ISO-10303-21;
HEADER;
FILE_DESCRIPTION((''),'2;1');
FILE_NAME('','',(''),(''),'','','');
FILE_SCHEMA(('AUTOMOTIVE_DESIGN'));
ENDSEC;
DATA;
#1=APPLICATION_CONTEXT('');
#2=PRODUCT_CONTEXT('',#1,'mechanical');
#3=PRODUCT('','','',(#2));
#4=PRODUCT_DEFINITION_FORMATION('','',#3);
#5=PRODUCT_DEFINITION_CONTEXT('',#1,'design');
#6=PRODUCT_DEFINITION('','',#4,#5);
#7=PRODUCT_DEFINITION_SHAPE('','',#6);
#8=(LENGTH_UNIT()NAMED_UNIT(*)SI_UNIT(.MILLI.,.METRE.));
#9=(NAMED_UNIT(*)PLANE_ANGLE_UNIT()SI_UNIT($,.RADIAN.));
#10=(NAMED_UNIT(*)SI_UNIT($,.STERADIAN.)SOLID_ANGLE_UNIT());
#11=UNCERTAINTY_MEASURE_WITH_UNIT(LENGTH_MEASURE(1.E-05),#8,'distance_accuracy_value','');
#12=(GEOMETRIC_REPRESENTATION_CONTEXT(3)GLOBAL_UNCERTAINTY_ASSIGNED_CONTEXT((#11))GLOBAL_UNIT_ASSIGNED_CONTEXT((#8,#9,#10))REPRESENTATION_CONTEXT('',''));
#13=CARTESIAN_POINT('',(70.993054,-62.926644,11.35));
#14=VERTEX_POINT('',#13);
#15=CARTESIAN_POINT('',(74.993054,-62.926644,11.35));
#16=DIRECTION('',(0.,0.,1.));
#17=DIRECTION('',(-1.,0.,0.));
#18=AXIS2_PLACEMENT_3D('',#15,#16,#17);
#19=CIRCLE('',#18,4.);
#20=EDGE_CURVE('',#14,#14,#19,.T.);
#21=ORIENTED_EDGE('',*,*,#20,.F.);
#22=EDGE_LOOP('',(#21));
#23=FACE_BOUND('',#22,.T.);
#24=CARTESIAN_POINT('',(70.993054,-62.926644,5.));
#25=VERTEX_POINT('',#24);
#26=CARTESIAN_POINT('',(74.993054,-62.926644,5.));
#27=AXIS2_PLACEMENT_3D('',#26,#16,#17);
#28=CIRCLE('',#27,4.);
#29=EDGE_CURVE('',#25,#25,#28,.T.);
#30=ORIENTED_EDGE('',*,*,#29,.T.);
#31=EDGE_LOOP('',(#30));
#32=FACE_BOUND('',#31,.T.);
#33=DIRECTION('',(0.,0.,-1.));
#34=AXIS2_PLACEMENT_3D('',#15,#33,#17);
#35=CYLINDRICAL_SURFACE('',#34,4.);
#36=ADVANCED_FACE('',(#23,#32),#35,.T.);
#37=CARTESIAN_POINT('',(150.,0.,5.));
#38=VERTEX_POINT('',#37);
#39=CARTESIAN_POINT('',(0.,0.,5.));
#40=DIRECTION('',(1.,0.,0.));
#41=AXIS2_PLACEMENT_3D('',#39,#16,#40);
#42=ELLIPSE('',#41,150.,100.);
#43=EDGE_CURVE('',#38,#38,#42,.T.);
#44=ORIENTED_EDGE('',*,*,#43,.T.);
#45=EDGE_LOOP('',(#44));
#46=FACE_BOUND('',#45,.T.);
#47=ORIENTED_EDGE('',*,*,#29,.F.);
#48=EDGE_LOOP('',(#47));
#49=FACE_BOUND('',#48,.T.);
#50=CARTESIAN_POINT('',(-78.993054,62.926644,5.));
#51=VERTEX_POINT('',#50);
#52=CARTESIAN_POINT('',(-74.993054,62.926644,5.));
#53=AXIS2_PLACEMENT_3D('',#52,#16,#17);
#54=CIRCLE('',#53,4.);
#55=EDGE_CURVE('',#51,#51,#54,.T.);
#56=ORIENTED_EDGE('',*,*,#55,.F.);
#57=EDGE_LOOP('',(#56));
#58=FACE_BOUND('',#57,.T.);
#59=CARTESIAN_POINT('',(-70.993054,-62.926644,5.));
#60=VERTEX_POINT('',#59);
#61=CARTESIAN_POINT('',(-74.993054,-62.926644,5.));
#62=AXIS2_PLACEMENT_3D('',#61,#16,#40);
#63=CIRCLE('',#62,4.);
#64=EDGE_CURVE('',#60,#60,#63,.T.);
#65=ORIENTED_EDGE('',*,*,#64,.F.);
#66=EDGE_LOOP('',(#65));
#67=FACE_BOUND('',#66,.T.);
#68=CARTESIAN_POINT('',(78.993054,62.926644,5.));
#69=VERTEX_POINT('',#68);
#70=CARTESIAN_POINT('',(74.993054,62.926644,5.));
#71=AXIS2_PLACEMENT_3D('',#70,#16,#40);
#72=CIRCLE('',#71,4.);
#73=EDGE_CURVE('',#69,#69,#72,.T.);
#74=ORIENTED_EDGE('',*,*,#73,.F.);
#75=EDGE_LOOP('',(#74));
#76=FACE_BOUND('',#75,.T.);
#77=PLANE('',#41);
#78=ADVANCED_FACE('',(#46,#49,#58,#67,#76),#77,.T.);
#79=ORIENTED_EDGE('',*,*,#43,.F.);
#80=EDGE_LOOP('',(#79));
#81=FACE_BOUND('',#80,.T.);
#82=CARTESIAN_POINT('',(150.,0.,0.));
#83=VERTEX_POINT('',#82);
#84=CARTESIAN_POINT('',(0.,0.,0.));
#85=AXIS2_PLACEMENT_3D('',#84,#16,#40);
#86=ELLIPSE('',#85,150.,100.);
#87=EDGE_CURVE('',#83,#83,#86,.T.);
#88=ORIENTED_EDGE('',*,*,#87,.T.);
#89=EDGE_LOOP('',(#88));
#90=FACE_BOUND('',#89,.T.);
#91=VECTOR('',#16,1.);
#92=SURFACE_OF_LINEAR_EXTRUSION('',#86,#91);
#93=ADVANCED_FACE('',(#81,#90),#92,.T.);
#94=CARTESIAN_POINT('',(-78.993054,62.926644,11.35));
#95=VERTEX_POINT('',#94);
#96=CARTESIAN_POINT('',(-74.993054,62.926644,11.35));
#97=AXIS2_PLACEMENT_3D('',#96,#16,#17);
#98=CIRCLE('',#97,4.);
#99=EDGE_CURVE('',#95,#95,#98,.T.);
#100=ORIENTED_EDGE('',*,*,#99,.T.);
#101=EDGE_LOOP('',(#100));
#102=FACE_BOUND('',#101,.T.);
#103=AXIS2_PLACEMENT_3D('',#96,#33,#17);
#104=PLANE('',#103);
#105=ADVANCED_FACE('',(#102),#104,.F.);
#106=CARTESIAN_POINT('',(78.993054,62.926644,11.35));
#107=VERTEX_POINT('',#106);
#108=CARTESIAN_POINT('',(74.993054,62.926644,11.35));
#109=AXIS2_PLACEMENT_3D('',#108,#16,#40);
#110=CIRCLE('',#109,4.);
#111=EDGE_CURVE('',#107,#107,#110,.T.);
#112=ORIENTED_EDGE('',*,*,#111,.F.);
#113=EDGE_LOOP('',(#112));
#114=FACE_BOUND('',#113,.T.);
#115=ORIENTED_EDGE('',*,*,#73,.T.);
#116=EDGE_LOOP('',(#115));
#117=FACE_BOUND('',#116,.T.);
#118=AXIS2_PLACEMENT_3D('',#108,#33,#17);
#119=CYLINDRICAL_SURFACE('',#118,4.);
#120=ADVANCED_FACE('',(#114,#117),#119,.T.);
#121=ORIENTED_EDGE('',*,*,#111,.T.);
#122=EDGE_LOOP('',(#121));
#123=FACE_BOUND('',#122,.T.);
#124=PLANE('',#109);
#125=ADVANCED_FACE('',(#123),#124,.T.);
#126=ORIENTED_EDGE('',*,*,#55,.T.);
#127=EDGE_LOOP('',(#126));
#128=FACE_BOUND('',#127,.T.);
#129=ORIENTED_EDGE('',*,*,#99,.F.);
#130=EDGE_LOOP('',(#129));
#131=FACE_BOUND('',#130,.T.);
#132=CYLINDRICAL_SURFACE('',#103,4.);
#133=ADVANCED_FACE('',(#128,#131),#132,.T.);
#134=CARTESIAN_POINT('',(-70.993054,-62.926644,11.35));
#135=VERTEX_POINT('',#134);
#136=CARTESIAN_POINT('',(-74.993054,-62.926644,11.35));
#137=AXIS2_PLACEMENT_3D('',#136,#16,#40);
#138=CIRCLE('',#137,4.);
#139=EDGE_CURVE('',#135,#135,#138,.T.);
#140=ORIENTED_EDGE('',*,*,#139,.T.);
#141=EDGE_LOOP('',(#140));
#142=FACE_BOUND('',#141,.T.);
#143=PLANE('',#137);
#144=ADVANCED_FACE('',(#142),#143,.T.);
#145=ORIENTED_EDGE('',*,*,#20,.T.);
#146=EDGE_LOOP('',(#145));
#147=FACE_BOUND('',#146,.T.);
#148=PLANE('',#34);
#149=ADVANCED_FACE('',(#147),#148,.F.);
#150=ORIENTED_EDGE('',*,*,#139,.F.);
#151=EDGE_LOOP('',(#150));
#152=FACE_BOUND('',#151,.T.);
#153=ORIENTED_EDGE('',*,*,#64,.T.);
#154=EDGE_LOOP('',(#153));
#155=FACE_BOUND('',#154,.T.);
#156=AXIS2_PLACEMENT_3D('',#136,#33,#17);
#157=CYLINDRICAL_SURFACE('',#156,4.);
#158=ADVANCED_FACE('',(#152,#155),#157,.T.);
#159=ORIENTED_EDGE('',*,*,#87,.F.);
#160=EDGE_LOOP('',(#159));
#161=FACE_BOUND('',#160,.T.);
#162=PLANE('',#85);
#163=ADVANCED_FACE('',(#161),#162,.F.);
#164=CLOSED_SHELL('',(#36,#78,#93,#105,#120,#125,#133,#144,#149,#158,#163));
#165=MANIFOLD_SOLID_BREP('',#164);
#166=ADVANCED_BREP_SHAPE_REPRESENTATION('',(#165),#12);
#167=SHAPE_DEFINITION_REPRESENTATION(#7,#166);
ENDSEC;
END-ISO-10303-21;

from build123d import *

# Parameters (mm, degrees)
SKETCH1_RX          = 150
SKETCH1_RY          = 100
BOSS_EXTRUDE1_DEPTH = 5
SKETCH2_R           = 4
BOSS_EXTRUDE2_DEPTH = 6.35


with BuildPart() as part:
    # Sketch1 → Boss-Extrude1 (new body)
    with BuildSketch(Plane.XY.offset(5)):
        with Locations(Location((0, 0), (0, 0, 0))):
            Ellipse(SKETCH1_RX, SKETCH1_RY)
    extrude(amount=-BOSS_EXTRUDE1_DEPTH)

    # Sketch2 → Boss-Extrude2 (add)
    with BuildSketch(Plane.XY.offset(5)):
        with Locations((-74.99305396, -62.926643919)):
            Circle(SKETCH2_R)
        with Locations(Location((-74.99305396, 62.926643919, 0), (0, 0, 180))):
            Circle(SKETCH2_R)
        with Locations((74.99305396, 62.926643919)):
            Circle(SKETCH2_R)
        with Locations(Location((74.99305396, -62.926643919, 0), (0, 0, 180))):
            Circle(SKETCH2_R)
    extrude(amount=BOSS_EXTRUDE2_DEPTH)


solid = part.part
